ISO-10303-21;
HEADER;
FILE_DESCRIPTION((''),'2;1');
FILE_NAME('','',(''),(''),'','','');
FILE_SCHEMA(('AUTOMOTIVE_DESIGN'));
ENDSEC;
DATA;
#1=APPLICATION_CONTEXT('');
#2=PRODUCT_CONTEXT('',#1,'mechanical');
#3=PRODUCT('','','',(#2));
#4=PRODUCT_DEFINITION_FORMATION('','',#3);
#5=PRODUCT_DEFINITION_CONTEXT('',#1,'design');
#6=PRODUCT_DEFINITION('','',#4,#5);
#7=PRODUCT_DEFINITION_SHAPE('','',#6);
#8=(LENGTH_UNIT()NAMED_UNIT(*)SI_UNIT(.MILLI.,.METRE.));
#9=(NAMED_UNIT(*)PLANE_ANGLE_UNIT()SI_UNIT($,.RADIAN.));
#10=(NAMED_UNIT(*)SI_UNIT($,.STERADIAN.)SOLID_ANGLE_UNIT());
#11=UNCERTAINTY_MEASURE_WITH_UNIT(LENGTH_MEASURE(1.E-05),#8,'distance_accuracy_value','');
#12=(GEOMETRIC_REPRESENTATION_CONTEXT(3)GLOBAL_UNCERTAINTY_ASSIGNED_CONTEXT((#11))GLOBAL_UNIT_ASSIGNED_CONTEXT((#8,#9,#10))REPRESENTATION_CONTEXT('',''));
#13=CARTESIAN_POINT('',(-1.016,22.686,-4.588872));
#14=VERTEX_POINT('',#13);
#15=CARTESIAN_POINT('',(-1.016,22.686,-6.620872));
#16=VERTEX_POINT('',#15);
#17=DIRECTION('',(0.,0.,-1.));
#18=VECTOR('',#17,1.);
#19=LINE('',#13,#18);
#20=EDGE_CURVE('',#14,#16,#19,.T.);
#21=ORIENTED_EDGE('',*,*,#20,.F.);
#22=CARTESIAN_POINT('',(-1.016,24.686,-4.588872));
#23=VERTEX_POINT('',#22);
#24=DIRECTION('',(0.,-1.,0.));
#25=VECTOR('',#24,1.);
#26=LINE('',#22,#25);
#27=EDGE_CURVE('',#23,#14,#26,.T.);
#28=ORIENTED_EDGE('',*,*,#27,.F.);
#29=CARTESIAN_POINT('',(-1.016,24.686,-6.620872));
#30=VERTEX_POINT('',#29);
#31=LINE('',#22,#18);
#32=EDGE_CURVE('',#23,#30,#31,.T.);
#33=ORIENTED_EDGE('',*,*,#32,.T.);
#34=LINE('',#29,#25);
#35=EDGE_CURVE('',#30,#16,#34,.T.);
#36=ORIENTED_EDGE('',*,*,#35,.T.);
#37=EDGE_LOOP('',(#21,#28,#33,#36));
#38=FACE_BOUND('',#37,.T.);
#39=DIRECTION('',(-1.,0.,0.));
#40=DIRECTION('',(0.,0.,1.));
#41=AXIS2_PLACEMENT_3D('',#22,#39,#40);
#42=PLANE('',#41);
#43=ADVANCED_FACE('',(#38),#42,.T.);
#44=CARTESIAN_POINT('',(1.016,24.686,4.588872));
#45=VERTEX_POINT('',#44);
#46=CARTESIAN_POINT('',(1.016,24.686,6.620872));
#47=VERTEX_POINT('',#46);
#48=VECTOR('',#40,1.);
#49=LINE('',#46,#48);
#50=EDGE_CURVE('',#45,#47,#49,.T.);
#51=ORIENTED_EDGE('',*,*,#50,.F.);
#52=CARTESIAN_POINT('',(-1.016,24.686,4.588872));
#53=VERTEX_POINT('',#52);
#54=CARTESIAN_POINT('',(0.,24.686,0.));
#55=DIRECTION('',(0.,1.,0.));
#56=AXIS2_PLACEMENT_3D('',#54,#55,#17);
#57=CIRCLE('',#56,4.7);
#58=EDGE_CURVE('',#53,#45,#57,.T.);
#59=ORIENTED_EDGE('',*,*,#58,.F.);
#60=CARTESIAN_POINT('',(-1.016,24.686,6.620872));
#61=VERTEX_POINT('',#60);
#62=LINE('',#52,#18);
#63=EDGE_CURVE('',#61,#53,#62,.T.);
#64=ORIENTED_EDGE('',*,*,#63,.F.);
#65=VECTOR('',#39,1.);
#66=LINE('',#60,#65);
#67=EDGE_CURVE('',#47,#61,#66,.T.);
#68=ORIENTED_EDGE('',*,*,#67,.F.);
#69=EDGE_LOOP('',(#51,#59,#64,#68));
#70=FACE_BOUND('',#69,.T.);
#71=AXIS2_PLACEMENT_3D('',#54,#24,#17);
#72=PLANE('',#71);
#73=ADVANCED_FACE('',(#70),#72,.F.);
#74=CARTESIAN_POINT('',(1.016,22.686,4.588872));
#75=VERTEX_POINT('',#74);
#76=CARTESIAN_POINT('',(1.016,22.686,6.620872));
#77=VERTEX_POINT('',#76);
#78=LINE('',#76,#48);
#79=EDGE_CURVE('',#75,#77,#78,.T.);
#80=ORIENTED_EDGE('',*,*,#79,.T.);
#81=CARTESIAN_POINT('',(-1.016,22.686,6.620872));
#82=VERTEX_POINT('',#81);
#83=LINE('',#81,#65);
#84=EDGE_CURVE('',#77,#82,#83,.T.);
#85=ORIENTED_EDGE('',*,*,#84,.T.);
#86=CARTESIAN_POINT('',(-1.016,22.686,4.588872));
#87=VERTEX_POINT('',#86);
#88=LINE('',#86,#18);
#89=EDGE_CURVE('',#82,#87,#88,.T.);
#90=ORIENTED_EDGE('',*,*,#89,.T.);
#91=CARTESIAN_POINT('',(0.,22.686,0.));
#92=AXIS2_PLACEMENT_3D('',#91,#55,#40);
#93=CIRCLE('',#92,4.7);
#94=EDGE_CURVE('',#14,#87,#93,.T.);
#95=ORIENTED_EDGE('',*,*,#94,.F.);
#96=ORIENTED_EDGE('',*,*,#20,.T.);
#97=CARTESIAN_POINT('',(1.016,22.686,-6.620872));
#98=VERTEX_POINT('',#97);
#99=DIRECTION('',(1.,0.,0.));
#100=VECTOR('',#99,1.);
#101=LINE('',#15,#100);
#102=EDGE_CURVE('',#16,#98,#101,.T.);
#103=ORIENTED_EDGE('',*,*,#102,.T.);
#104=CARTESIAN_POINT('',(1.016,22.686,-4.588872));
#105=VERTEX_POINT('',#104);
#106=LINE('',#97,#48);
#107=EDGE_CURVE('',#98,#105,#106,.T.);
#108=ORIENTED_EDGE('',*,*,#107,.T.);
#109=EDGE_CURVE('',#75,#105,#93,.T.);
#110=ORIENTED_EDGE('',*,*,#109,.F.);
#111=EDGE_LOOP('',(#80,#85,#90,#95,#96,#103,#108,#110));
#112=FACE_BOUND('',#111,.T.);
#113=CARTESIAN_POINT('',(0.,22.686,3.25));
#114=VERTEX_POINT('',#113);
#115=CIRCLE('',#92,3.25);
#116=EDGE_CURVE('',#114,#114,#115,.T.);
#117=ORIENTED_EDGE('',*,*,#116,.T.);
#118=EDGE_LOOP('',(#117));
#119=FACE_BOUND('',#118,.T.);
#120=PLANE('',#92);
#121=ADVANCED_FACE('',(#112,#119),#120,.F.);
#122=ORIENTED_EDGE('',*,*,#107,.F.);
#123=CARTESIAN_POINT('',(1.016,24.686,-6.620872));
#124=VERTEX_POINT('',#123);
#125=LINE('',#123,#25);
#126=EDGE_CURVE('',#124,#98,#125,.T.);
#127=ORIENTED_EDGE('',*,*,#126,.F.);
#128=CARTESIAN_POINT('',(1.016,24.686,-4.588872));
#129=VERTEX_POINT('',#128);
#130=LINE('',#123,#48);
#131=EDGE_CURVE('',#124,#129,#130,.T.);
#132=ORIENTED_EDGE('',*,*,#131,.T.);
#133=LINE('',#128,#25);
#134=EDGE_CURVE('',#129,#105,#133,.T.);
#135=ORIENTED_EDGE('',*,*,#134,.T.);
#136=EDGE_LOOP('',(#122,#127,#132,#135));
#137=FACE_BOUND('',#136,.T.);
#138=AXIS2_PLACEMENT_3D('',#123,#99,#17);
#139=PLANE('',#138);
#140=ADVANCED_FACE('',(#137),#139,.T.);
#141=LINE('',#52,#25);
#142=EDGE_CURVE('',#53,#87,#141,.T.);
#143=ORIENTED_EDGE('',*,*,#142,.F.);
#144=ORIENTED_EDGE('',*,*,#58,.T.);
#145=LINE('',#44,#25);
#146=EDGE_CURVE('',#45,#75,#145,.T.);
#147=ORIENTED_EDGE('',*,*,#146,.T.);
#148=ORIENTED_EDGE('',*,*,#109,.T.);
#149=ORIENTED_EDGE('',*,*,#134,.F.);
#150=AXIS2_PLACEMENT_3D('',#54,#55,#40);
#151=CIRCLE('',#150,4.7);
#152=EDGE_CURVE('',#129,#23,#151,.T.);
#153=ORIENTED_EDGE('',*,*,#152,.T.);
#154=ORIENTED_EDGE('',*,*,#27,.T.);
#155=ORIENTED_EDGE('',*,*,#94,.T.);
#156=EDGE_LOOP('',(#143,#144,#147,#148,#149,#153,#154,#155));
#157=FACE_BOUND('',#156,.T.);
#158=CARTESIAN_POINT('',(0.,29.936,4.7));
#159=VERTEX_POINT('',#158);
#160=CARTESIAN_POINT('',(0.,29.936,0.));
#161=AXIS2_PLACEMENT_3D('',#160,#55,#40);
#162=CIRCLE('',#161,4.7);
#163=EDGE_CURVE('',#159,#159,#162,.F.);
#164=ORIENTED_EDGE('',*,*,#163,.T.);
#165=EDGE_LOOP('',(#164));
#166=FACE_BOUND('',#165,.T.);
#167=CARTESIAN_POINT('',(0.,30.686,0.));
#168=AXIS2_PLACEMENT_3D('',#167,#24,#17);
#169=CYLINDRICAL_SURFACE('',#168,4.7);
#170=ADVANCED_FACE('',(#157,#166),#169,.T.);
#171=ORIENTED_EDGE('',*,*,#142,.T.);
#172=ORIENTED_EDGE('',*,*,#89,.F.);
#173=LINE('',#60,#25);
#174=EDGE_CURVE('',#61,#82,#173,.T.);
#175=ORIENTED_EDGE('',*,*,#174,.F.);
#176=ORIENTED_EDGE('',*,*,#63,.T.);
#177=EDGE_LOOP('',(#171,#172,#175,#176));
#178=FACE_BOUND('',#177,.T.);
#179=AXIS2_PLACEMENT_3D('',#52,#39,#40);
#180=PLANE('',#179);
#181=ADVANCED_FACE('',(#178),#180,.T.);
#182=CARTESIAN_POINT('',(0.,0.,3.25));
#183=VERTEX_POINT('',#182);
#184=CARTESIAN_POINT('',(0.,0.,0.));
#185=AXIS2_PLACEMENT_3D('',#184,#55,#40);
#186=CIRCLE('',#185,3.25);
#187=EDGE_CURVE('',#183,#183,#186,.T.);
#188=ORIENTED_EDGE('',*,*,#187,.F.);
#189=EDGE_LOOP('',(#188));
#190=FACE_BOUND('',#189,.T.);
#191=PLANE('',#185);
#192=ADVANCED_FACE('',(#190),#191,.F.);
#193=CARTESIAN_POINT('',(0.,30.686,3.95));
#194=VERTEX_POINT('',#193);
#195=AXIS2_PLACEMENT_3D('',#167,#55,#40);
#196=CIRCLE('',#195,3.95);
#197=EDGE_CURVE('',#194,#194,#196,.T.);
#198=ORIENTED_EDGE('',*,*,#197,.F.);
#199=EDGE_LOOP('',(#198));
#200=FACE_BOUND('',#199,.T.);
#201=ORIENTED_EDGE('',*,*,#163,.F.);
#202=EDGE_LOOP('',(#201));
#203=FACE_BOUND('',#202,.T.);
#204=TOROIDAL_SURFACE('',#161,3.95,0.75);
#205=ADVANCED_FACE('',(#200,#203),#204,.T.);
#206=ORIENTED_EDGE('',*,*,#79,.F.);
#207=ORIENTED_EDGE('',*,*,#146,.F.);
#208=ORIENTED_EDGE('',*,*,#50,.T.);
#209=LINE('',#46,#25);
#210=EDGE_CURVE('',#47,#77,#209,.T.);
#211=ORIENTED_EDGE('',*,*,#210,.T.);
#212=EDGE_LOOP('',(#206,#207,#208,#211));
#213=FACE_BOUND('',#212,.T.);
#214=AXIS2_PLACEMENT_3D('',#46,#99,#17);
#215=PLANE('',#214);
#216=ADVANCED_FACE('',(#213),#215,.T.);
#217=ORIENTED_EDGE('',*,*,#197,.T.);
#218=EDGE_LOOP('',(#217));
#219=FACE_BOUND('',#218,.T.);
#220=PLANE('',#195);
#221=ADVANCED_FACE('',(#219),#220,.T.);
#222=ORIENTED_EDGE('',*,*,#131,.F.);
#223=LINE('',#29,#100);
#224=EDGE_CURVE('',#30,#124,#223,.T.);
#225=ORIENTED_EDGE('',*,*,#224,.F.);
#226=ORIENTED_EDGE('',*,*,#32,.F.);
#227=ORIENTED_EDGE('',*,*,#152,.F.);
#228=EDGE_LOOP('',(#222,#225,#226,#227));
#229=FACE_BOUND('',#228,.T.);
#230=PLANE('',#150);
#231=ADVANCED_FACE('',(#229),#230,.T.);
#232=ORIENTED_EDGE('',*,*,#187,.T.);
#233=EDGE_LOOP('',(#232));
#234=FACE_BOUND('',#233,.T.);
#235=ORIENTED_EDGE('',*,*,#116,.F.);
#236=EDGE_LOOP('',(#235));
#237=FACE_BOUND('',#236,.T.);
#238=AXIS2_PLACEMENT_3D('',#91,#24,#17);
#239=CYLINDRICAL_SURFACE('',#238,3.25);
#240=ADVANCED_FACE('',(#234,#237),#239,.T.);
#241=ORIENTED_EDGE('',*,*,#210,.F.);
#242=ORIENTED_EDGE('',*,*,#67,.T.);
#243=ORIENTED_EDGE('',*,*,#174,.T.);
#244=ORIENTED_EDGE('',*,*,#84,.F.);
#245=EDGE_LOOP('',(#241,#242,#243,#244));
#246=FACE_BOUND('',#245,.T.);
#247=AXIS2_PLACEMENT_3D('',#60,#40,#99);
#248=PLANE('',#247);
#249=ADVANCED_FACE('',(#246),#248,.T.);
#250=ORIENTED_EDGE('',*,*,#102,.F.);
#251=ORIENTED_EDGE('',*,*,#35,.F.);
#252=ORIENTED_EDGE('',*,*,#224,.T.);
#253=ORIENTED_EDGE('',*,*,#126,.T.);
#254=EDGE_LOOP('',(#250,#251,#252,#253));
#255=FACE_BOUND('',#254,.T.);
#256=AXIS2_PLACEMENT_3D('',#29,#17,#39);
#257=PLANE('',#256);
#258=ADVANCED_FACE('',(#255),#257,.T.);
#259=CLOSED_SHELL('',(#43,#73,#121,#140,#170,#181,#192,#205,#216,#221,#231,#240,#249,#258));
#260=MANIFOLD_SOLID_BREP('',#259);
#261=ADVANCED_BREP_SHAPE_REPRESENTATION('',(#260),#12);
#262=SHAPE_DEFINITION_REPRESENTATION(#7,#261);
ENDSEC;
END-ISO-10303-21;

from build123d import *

# Parameters (mm, degrees)
SKETCH1_R           = 3.25
BOSS_EXTRUDE1_DEPTH = 22.686
SKETCH6_R           = 4.7
BOSS_EXTRUDE2_DEPTH = 8
FILLET1_R           = 0.75
BOSS_EXTRUDE3_DEPTH = 2


with BuildPart() as part:
    # Sketch1 → Boss-Extrude1 (new body)
    with BuildSketch(Plane(origin=(0, 0, 0), x_dir=(1, 0, 0), z_dir=(0, 1, 0))):
        Circle(SKETCH1_R)
    extrude(amount=BOSS_EXTRUDE1_DEPTH)

    # Sketch6 → Boss-Extrude2 (add)
    with BuildSketch(Plane(origin=(0, 22.686, 0), x_dir=(1, 0, 0), z_dir=(0, 1, 0))):
        Circle(SKETCH6_R)
    extrude(amount=BOSS_EXTRUDE2_DEPTH)

    # Fillet1
    fillet1_edges = [part.edges().sort_by_distance(p)[0] for p in [
        (-4.7, 30.686, 0),
    ]]
    fillet(fillet1_edges, radius=FILLET1_R)

    # Sketch7 → Boss-Extrude3 (add)
    with BuildSketch(Plane.XZ.offset(-22.686)):
        with BuildLine():
            Line((-1.016, 4.588871757), (-1.016, 6.620871757))
            Line((-1.016, 6.620871757), (1.016, 6.620871757))
            Line((1.016, 6.620871757), (1.016, 4.588871757))
            ThreePointArc((1.016, 4.588871757), (0, 4.7), (-1.016, 4.588871757))
        make_face()
        with BuildLine():
            Line((1.016, -6.620871757), (1.016, -4.588871757))
            ThreePointArc((1.016, -4.588871757), (0, -4.7), (-1.016, -4.588871757))
            Line((-1.016, -4.588871757), (-1.016, -6.620871757))
            Line((-1.016, -6.620871757), (1.016, -6.620871757))
        make_face()
    extrude(amount=-BOSS_EXTRUDE3_DEPTH)


solid = part.part
